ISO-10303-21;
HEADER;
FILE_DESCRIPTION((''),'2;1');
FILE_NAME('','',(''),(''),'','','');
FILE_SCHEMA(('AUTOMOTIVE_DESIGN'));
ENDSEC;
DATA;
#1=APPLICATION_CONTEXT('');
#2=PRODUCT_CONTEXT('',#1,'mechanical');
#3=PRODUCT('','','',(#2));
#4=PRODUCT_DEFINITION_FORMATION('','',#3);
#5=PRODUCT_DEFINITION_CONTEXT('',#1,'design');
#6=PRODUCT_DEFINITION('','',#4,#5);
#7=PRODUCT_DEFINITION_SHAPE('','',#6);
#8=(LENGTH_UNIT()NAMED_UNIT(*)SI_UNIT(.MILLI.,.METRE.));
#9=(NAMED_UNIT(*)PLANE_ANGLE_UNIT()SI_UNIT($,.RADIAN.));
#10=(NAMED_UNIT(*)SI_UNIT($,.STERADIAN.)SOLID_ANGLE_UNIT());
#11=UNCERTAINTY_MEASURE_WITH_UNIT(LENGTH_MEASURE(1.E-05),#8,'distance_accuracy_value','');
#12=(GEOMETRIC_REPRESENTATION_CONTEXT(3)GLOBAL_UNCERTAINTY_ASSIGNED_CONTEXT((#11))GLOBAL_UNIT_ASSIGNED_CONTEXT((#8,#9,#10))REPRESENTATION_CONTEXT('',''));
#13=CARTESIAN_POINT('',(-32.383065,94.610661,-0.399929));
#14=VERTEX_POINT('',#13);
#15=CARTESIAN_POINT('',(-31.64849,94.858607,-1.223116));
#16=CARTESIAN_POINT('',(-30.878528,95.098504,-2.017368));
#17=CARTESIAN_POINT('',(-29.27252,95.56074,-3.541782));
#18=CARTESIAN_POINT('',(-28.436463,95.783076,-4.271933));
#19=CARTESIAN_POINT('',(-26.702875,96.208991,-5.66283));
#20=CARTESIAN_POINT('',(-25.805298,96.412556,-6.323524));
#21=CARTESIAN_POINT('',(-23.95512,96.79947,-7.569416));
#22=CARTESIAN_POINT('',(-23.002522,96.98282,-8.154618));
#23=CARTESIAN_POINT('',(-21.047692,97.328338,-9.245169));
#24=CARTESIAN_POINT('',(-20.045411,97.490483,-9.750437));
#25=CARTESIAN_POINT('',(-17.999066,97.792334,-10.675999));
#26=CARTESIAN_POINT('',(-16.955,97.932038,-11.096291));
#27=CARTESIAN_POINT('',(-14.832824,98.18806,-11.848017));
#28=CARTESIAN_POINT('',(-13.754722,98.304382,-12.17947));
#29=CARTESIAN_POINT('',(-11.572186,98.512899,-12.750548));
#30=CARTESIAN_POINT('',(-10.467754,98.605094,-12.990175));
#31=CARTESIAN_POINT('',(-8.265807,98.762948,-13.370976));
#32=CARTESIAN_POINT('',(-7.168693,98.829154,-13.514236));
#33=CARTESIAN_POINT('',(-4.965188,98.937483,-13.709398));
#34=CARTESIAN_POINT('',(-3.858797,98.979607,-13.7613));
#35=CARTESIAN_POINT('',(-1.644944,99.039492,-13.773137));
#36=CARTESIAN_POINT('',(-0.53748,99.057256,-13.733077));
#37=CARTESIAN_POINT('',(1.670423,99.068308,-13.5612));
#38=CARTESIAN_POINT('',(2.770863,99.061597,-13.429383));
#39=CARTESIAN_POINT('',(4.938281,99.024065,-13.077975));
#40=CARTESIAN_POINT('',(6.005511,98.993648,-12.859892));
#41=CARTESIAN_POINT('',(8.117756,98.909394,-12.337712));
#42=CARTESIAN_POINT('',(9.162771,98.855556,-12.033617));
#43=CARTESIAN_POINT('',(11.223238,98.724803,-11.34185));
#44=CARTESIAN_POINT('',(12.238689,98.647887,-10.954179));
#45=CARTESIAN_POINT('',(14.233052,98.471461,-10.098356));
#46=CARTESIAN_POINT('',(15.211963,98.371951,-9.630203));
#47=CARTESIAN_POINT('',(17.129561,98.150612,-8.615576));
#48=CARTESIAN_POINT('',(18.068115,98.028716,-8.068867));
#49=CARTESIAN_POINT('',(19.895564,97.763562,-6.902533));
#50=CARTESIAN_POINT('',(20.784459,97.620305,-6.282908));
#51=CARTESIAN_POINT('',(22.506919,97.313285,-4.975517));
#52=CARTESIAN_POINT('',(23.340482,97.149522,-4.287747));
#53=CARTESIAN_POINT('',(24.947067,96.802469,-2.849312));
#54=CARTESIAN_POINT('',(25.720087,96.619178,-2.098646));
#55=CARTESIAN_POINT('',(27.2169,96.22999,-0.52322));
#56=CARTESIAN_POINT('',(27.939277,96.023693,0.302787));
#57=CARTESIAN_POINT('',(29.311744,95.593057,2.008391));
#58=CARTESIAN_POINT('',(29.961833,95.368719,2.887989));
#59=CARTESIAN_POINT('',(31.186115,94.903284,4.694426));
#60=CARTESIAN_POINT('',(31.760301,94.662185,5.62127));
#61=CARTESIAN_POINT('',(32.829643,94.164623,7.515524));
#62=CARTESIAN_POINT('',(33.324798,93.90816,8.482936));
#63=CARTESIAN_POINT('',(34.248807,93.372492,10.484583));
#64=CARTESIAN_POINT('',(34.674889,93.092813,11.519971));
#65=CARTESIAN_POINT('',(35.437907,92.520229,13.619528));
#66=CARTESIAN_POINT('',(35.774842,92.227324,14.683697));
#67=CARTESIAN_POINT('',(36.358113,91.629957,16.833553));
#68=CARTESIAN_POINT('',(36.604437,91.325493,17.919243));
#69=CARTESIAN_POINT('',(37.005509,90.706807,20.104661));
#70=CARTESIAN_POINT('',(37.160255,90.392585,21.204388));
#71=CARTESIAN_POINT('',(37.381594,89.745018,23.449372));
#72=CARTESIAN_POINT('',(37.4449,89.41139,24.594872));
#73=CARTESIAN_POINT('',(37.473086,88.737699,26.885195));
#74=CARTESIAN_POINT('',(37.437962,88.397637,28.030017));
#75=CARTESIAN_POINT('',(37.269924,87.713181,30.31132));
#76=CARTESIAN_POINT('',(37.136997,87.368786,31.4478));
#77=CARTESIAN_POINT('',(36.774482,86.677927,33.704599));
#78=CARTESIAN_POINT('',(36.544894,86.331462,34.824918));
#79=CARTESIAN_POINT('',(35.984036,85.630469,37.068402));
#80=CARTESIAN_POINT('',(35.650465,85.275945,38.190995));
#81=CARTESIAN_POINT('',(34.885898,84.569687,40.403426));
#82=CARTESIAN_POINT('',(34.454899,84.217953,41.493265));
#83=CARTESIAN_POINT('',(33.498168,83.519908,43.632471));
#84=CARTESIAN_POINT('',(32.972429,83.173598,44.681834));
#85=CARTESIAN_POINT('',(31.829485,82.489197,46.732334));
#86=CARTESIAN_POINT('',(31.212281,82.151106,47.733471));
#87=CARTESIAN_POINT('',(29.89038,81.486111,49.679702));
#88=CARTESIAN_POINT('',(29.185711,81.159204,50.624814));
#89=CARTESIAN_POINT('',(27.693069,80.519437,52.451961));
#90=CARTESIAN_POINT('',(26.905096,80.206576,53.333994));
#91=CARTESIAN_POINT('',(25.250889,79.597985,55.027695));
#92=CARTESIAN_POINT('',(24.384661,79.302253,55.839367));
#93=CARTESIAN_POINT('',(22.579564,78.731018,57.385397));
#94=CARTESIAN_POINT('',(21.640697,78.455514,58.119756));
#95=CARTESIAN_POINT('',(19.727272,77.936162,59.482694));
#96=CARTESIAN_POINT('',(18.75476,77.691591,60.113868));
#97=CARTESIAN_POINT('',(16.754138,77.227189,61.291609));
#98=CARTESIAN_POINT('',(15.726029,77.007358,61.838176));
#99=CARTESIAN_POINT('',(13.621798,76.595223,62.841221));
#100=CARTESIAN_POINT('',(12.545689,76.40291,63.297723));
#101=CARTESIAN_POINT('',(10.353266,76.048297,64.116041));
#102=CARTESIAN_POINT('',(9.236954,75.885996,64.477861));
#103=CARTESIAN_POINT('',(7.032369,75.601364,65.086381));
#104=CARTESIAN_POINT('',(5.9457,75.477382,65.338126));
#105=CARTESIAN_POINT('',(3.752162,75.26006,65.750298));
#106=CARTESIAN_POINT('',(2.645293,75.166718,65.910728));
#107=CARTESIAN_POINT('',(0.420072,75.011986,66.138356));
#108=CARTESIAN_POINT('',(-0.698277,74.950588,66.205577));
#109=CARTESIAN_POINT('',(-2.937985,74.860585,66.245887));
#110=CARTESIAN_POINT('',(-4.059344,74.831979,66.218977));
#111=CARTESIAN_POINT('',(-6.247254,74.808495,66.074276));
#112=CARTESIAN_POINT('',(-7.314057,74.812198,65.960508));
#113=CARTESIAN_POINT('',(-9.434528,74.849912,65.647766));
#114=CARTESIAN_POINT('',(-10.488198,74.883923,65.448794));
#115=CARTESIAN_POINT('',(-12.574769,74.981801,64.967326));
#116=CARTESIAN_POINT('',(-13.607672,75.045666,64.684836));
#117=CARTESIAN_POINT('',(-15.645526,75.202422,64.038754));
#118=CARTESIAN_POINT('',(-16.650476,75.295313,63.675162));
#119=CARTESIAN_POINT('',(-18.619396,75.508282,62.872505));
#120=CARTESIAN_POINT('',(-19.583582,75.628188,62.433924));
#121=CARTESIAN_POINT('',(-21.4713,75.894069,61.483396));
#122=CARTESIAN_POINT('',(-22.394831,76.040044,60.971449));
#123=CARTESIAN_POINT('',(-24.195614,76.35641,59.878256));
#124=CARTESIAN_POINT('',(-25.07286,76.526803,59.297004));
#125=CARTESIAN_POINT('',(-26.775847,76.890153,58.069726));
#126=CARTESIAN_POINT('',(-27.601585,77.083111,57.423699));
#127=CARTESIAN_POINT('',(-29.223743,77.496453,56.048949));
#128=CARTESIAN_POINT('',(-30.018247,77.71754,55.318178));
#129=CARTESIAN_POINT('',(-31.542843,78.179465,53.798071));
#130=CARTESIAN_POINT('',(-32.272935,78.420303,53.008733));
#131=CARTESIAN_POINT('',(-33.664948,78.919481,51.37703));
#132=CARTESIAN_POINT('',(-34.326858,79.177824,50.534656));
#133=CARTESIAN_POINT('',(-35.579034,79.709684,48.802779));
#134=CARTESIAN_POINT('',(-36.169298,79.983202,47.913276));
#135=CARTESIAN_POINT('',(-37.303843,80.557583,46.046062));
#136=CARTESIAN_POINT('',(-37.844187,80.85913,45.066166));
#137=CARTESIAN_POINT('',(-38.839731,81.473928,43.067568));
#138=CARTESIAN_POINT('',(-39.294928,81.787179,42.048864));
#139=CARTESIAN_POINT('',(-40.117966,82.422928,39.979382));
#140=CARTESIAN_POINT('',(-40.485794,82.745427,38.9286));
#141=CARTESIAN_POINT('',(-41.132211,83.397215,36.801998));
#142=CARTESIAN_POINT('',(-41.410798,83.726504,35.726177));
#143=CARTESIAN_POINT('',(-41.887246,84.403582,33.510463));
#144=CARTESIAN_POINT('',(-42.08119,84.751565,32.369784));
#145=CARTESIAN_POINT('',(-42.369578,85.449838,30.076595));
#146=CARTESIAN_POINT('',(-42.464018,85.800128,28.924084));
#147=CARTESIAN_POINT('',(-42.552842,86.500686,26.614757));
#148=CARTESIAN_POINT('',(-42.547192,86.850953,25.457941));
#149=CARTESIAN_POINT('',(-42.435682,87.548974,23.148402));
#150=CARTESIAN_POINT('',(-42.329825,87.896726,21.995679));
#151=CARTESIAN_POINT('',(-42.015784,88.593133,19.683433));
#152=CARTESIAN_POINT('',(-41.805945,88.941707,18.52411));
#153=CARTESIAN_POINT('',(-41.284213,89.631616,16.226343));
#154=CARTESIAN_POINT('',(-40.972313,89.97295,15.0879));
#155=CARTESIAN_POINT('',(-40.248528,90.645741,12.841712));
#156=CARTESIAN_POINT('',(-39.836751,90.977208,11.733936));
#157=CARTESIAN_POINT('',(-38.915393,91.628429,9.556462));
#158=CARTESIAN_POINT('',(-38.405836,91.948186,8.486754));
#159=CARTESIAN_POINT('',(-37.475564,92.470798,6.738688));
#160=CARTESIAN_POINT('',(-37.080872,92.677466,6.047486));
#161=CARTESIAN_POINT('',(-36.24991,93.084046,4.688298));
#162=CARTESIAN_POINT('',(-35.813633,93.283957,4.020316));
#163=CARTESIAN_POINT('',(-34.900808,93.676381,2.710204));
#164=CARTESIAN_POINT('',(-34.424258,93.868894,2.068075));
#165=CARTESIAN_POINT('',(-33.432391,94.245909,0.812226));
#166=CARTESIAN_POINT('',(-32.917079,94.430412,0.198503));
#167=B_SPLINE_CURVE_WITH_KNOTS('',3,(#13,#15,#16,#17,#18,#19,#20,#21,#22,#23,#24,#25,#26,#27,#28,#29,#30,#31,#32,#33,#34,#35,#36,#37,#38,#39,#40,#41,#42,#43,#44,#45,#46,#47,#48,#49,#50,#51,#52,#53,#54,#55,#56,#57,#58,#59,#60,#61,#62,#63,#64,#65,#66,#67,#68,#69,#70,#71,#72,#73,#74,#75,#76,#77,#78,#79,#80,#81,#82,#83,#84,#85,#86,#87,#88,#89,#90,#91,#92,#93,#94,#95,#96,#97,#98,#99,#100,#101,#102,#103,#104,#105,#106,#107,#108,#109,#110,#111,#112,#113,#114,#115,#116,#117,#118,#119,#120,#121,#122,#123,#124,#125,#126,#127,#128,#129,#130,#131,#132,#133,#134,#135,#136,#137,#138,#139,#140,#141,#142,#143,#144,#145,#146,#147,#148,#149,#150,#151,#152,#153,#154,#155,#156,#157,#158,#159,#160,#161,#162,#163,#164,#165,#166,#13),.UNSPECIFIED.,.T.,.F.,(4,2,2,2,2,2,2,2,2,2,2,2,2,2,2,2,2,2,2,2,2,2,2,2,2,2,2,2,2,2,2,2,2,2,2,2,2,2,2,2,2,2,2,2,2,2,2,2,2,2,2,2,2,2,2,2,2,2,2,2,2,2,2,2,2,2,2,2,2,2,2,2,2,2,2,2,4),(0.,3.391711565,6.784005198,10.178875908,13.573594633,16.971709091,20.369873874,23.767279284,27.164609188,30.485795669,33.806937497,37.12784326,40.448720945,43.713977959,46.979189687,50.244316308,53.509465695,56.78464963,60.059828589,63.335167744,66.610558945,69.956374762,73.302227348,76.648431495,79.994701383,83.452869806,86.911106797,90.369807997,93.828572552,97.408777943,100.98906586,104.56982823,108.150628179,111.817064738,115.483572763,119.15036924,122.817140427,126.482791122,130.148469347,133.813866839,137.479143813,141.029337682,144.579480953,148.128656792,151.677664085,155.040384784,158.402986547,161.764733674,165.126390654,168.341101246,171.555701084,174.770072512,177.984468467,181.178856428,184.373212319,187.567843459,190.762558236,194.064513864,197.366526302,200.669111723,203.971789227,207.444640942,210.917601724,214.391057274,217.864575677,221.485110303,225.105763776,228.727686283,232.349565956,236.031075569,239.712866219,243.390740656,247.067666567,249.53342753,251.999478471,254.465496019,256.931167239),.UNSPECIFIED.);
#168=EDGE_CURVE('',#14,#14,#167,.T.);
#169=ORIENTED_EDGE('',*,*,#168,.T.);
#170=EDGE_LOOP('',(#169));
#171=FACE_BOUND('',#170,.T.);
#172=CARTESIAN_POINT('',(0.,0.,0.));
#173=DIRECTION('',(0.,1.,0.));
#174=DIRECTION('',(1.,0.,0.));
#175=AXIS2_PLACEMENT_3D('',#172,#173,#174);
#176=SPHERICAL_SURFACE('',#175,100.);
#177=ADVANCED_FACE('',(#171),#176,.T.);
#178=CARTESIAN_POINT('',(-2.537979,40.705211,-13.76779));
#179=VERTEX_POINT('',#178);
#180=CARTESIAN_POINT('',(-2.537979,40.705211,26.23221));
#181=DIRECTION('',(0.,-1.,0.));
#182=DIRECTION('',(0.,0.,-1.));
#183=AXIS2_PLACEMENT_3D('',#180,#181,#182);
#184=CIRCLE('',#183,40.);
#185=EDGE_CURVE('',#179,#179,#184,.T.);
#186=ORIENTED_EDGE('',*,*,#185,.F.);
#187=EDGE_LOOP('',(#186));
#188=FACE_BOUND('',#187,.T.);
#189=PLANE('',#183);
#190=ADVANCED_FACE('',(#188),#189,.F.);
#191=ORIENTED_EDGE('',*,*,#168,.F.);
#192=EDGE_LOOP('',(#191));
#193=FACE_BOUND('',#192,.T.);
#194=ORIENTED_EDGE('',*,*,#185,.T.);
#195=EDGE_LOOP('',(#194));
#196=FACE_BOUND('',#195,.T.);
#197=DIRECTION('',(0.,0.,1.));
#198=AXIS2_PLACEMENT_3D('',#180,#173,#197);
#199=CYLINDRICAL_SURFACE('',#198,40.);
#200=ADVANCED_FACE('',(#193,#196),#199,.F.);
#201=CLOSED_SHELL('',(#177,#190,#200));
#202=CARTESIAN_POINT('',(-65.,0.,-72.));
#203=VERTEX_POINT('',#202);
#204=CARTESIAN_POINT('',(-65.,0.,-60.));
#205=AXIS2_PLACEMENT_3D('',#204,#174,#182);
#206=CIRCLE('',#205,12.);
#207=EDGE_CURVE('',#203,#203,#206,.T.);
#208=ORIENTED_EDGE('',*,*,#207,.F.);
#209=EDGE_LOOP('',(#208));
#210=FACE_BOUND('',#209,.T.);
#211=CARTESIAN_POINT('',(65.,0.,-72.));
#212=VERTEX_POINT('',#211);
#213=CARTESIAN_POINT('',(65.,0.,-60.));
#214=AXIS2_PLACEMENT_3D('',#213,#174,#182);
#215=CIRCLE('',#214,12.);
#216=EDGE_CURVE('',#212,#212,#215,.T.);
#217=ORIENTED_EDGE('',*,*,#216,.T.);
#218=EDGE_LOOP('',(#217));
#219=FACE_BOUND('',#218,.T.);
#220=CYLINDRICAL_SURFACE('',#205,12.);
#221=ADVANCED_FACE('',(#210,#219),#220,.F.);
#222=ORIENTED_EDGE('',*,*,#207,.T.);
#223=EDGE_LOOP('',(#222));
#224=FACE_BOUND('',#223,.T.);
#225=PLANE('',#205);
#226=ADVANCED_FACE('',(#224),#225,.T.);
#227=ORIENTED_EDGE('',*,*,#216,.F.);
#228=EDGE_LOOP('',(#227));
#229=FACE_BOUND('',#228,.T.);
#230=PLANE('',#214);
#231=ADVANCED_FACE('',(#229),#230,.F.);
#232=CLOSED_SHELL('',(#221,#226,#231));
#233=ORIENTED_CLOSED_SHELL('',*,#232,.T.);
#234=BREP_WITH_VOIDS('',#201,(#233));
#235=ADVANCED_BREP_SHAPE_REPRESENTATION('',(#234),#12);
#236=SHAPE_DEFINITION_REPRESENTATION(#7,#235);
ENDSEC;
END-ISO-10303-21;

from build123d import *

# Parameters (mm, degrees)
SKETCH6_R          = 40
CUT_EXTRUDE3_DEPTH = 59.294788524860515
SKETCH13_R         = 11.999999999999975
CUT_EXTRUDE7_DEPTH = 65


with BuildPart() as part:
    # Sketch2 → Revolve2 (revolve)
    with BuildSketch(Plane.XY):
        with BuildLine():
            Line((0, 100), (2.776e-14, -100))
            ThreePointArc((2.776e-14, -100), (-100, 1.225e-14), (0, 100))
        make_face()
    revolve(axis=Axis((0, 100, 0), (1.4e-16, -1, 0)))

    # Sketch6 → Cut-Extrude3 (cut)
    with BuildSketch(Plane(origin=(-2.5379788603345292, 100, 26.23220958860291), x_dir=(-1, 0, 0), z_dir=(0, -1, 0))):
        with Locations(Location((0, 0, 0), (0, 0, 139.019257533))):
            Circle(SKETCH6_R)
    extrude(amount=CUT_EXTRUDE3_DEPTH, mode=Mode.SUBTRACT)

    # Sketch13 → Cut-Extrude7 (cut, symmetric)
    with BuildSketch(Plane(origin=(0, 0, 0), x_dir=(0, 0, -1), z_dir=(1, 0, 0))):
        with Locations((60, 0)):
            Circle(SKETCH13_R)
    extrude(amount=CUT_EXTRUDE7_DEPTH, both=True, mode=Mode.SUBTRACT)


solid = part.part
